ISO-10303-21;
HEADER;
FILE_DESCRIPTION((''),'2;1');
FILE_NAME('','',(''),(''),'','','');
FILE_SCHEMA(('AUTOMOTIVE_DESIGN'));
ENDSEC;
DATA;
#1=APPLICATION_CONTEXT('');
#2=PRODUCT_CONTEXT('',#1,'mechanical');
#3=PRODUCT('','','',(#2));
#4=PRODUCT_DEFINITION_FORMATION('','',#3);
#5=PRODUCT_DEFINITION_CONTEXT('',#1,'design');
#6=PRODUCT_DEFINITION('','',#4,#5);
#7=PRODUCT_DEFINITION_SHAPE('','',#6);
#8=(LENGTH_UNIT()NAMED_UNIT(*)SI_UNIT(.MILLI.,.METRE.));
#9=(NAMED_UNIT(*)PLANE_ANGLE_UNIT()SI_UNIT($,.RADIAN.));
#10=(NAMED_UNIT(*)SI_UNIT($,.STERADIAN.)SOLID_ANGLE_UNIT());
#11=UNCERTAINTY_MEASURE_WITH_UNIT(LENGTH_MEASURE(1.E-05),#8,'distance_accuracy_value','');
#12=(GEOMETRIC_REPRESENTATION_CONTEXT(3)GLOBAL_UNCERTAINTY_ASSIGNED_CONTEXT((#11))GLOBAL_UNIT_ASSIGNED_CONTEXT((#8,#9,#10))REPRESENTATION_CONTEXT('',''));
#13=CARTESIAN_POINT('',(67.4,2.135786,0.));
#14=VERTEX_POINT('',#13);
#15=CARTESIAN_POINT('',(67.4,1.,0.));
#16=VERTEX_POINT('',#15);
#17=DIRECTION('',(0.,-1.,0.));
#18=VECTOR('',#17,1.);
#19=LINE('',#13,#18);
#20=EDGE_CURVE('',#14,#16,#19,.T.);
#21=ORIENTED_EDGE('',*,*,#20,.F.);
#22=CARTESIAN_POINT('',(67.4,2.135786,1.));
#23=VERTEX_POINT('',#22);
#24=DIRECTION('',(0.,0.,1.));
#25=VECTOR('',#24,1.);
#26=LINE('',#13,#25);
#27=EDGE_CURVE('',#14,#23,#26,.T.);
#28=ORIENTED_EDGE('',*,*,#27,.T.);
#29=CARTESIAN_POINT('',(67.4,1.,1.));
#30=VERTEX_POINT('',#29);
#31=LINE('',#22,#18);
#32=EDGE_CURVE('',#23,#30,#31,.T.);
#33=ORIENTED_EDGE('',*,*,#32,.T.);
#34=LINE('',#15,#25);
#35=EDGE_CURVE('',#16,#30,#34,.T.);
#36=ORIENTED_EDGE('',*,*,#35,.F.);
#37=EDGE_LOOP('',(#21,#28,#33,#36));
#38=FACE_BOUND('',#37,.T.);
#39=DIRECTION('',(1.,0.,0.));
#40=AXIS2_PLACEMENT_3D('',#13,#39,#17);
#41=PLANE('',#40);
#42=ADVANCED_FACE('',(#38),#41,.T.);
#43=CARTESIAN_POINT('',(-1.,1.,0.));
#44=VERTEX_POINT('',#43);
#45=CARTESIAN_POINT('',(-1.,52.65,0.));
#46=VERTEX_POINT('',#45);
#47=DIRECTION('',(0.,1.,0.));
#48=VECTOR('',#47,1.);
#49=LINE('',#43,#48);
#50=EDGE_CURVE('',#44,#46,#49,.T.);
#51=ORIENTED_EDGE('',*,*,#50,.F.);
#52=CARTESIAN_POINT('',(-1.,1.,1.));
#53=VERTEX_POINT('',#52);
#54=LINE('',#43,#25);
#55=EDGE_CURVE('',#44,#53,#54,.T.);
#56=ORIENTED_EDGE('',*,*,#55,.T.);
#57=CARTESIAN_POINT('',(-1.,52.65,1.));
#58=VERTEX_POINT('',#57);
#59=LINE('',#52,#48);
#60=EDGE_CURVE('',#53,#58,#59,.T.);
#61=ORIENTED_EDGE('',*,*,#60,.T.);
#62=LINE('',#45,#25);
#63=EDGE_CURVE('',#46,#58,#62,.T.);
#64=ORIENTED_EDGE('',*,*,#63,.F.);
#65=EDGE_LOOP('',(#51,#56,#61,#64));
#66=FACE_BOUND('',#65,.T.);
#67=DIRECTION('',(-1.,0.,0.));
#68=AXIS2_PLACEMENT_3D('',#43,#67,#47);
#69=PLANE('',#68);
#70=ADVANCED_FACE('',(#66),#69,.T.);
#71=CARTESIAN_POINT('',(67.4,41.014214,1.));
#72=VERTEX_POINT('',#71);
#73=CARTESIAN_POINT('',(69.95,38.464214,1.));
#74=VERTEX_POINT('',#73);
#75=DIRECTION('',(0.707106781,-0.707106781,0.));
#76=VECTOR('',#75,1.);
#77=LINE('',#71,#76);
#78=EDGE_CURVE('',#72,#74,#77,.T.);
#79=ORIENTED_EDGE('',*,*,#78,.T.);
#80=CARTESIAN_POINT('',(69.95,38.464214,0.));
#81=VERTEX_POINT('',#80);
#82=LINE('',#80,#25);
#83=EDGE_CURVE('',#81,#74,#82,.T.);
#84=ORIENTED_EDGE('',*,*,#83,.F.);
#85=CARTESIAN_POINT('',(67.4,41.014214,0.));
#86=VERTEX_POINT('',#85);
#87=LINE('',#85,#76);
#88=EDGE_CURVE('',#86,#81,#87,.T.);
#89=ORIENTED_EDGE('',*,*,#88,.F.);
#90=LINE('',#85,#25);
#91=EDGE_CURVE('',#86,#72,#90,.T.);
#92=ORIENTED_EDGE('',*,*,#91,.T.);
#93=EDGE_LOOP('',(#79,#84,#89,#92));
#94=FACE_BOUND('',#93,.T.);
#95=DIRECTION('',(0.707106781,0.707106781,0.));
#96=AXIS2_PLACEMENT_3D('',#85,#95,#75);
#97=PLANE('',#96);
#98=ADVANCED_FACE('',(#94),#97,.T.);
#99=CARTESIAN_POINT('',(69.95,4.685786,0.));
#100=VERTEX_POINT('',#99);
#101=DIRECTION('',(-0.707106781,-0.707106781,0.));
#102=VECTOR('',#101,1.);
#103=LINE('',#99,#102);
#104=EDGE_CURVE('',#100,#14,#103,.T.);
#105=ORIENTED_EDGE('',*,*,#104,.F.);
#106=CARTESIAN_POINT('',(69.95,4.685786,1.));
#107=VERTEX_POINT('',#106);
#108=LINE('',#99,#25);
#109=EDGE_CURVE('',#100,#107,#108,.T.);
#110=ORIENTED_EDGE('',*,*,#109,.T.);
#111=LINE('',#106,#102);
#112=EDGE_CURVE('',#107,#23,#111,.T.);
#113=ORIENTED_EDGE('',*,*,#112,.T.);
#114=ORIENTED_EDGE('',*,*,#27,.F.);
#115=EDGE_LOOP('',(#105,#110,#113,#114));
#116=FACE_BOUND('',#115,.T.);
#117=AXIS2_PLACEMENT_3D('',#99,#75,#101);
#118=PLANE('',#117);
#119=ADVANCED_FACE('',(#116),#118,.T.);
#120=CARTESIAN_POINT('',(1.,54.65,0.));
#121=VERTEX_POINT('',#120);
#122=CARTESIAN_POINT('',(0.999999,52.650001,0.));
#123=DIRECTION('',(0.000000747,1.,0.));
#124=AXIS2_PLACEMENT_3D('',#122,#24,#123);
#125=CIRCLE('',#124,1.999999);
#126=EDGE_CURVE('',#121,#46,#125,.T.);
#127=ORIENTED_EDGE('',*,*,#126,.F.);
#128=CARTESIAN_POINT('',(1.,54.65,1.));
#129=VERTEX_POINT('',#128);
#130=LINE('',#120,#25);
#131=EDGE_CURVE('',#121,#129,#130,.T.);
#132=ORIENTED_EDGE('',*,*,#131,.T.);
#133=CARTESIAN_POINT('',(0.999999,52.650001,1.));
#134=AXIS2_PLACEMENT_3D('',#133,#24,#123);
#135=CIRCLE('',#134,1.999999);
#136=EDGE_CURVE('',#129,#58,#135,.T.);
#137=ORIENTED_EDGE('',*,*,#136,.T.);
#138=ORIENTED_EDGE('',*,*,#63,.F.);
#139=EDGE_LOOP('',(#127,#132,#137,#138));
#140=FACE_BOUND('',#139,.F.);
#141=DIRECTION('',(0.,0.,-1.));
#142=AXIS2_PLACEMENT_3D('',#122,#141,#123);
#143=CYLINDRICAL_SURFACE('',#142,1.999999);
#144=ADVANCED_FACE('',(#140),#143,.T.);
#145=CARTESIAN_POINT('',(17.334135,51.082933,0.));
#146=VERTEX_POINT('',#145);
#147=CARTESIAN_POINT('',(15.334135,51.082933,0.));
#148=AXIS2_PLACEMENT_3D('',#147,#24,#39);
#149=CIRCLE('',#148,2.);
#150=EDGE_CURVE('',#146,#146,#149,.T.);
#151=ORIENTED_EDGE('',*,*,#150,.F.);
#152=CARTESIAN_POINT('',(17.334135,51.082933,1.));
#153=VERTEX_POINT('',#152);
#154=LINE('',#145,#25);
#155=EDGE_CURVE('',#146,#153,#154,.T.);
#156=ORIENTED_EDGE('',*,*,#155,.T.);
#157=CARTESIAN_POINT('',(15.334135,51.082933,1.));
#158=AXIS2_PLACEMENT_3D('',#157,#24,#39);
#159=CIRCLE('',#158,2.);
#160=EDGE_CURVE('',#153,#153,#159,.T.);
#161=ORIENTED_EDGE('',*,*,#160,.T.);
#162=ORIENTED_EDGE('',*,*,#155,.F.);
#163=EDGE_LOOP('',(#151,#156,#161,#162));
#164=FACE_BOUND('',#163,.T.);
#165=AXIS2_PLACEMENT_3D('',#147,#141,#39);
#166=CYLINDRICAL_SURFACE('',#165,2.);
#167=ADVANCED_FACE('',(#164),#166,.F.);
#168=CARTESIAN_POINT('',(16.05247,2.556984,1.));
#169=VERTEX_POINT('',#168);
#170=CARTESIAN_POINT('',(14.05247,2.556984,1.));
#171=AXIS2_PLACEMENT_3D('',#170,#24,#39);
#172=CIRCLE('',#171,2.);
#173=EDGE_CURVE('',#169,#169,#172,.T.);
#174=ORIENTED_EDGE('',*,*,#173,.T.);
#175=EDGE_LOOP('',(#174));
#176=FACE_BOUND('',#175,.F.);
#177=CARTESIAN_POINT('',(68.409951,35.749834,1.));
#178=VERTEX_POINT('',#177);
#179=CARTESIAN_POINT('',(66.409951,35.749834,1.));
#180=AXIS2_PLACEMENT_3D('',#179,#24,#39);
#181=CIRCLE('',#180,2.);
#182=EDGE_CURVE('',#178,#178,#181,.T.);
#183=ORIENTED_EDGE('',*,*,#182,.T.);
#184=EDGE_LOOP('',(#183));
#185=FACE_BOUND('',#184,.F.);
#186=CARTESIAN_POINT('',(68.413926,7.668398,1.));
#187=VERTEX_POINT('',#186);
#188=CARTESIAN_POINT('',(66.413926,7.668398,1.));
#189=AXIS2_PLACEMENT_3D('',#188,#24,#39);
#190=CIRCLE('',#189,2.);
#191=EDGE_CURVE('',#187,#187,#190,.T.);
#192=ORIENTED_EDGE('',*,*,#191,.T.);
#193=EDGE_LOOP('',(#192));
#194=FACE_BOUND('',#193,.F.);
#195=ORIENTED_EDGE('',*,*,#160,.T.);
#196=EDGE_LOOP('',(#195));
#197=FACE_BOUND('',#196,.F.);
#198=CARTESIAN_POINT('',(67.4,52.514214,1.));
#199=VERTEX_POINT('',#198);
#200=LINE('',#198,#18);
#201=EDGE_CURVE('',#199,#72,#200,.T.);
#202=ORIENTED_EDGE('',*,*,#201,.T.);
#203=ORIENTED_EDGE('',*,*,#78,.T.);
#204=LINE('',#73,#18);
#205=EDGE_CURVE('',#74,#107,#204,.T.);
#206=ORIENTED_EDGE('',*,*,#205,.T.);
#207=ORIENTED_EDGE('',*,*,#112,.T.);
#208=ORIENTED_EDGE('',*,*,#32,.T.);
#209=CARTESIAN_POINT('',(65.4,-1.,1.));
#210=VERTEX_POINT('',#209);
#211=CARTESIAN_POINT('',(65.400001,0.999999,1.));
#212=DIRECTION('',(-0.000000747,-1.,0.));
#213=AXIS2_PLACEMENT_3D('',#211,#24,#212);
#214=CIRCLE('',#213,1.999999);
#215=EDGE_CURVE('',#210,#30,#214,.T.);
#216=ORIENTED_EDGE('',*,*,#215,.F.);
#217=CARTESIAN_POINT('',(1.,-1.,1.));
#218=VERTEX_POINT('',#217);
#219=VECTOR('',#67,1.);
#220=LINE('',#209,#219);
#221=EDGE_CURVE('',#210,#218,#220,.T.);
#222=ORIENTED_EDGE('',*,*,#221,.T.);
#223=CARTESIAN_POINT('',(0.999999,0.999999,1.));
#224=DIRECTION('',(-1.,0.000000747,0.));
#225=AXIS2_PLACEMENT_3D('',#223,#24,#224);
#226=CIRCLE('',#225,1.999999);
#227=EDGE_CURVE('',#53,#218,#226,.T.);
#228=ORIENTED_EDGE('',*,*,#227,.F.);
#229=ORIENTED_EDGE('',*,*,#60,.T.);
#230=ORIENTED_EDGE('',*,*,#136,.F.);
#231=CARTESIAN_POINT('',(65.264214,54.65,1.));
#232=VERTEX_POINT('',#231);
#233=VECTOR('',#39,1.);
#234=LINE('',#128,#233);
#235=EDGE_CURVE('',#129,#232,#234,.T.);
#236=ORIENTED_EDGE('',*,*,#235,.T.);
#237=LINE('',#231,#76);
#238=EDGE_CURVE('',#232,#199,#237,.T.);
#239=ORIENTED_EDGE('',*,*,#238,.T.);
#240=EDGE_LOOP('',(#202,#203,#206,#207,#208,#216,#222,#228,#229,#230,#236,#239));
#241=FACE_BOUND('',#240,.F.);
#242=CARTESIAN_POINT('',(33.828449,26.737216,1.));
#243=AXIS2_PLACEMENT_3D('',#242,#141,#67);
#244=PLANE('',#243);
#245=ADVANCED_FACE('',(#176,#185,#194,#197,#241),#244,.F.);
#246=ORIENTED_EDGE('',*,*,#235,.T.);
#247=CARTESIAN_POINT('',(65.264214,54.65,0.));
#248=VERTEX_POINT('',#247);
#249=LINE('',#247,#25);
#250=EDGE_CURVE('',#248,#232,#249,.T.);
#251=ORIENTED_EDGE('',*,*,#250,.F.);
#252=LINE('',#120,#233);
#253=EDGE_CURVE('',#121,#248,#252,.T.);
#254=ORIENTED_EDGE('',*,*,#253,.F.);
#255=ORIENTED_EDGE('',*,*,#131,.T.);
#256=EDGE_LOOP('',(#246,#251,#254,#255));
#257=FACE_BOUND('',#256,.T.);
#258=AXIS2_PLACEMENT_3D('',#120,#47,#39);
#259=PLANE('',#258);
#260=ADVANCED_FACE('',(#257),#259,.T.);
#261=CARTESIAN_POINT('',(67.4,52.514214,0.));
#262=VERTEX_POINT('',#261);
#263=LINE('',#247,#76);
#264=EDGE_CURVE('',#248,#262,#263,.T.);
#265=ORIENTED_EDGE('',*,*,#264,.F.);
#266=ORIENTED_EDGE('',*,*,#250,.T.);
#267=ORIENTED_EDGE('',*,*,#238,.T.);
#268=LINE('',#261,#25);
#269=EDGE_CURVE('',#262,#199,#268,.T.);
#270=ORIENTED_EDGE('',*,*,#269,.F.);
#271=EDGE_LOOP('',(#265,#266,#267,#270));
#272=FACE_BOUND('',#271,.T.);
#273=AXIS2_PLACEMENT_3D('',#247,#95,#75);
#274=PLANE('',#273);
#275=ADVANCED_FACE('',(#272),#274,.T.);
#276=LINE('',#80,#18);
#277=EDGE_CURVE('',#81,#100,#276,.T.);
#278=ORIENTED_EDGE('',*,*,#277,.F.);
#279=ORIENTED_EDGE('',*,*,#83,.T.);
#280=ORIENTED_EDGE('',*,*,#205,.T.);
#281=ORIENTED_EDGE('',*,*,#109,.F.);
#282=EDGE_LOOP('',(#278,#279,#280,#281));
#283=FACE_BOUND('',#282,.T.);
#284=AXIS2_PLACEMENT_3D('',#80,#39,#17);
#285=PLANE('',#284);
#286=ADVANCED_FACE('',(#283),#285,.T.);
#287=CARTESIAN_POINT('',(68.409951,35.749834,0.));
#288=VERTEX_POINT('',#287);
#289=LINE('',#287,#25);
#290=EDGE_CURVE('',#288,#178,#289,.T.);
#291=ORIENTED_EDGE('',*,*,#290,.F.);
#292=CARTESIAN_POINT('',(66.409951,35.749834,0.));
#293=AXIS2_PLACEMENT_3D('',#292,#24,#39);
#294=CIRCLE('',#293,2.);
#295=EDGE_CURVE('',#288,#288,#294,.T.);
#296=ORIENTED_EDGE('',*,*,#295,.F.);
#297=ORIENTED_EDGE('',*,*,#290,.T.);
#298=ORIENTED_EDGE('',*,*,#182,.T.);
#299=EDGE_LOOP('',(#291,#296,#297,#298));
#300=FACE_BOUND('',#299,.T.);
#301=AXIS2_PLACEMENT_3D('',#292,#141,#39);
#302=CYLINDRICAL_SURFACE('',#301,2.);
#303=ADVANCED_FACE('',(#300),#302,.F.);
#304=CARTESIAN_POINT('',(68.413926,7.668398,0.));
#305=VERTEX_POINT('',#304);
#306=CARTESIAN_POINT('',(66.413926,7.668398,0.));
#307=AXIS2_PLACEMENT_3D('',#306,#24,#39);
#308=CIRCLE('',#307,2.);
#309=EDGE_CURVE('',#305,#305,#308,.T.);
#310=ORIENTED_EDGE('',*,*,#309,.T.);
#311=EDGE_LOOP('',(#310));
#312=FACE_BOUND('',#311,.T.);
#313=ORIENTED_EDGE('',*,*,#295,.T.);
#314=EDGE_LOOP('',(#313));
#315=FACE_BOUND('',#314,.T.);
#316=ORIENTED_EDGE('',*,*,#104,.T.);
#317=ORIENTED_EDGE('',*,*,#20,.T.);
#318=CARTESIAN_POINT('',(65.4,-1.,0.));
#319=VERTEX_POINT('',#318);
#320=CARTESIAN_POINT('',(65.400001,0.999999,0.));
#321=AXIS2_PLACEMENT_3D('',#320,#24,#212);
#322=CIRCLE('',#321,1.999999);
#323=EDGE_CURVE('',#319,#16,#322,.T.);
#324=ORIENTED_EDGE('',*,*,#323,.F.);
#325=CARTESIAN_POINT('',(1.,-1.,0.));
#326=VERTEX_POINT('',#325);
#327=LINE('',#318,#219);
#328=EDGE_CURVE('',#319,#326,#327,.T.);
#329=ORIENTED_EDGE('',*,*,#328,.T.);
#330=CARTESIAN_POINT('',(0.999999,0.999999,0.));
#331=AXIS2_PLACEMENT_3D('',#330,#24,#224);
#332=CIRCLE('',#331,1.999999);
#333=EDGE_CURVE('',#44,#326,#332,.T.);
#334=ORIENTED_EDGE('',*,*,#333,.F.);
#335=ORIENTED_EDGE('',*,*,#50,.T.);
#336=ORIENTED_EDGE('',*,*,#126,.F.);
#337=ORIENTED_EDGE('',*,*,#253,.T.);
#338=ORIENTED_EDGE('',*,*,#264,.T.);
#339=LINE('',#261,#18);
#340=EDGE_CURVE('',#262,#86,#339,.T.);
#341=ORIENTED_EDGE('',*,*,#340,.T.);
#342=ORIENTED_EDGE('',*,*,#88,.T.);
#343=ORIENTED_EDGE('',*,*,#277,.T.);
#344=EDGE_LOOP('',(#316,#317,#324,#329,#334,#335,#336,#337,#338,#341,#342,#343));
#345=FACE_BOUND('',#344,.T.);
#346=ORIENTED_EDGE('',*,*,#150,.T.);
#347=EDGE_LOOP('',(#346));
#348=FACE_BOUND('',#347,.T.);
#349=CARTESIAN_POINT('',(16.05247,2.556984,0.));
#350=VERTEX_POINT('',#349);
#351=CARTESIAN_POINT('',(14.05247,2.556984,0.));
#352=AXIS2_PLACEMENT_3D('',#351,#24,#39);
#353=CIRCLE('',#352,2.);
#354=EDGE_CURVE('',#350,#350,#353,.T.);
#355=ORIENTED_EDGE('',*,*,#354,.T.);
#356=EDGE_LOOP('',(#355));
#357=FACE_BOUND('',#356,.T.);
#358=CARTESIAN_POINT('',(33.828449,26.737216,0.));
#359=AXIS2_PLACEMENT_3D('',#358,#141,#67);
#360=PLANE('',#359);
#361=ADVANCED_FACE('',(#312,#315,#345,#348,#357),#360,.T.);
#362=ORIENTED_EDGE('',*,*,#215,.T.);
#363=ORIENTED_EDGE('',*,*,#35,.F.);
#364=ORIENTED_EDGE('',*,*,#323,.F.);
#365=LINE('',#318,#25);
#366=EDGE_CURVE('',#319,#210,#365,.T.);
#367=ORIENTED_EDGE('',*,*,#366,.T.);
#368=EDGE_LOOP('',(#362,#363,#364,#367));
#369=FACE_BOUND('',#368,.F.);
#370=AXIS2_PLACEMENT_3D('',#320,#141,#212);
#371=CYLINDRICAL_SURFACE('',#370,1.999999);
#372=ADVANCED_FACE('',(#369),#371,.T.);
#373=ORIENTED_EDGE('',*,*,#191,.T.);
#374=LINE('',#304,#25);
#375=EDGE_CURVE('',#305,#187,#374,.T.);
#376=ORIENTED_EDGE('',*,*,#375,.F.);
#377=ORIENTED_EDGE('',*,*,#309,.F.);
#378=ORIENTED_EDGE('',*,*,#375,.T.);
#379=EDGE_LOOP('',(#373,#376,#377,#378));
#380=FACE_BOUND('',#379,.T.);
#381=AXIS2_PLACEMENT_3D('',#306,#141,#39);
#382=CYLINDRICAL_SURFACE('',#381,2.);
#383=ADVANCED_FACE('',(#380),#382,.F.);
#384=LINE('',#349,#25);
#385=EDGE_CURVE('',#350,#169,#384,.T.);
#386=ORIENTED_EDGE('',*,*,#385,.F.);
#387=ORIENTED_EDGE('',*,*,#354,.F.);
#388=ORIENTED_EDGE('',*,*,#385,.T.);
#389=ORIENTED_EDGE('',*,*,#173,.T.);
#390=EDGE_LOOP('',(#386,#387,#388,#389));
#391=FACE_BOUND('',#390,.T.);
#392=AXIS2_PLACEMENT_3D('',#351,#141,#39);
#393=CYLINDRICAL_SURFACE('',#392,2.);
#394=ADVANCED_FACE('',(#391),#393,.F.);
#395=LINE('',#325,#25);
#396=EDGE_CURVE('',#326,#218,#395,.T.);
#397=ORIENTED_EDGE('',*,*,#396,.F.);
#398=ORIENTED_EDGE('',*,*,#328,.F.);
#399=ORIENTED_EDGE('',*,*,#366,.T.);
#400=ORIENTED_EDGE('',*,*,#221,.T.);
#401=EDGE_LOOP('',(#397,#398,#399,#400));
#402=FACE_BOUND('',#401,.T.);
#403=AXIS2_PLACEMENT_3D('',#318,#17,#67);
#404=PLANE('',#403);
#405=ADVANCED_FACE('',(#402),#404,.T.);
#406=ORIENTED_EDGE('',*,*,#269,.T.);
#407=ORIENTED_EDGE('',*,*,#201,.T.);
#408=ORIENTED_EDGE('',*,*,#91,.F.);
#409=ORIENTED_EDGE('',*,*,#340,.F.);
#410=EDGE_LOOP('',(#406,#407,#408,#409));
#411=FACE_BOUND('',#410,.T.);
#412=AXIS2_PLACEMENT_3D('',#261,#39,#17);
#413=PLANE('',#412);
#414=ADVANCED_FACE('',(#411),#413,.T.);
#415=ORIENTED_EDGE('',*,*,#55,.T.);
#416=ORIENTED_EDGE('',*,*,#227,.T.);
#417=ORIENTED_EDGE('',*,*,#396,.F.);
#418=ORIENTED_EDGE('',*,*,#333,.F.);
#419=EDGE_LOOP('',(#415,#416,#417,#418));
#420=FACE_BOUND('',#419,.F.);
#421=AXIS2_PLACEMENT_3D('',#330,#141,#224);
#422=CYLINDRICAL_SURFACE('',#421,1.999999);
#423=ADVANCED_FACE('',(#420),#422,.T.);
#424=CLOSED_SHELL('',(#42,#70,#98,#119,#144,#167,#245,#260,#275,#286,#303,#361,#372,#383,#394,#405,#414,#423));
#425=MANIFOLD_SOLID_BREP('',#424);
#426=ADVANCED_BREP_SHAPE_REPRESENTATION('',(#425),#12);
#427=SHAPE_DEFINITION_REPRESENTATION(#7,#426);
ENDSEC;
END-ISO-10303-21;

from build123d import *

# Parameters (mm, degrees)
SKETCH_R      = 2
EXTRUDE_DEPTH = 1


with BuildPart() as part:
    # Sketch → Extrude (new body)
    with BuildSketch(Plane.XY):
        with BuildLine():
            Line((1, 54.65), (65.264214, 54.65))
            Line((65.264214, 54.65), (67.4, 52.514214))
            Line((67.4, 52.514214), (67.4, 41.014214))
            Line((67.4, 41.014214), (69.95, 38.464214))
            Line((69.95, 38.464214), (69.95, 4.685786))
            Line((69.95, 4.685786), (67.4, 2.135786))
            Line((67.4, 2.135786), (67.4, 1))
            ThreePointArc((65.4, -1), (66.814214, -0.414214), (67.4, 1))
            Line((65.4, -1), (1, -1))
            ThreePointArc((-1, 1), (-0.414214, -0.414214), (1, -1))
            Line((-1, 1), (-1, 52.65))
            ThreePointArc((1, 54.65), (-0.414214, 54.064214), (-1, 52.65))
        make_face()
        with Locations((15.334135, 51.082933)):
            Circle(SKETCH_R, mode=Mode.SUBTRACT)
        with Locations((66.409951, 35.749834)):
            Circle(SKETCH_R, mode=Mode.SUBTRACT)
        with Locations((66.413926, 7.668398)):
            Circle(SKETCH_R, mode=Mode.SUBTRACT)
        with Locations((14.05247, 2.556984)):
            Circle(SKETCH_R, mode=Mode.SUBTRACT)
    extrude(amount=EXTRUDE_DEPTH)


solid = part.part
